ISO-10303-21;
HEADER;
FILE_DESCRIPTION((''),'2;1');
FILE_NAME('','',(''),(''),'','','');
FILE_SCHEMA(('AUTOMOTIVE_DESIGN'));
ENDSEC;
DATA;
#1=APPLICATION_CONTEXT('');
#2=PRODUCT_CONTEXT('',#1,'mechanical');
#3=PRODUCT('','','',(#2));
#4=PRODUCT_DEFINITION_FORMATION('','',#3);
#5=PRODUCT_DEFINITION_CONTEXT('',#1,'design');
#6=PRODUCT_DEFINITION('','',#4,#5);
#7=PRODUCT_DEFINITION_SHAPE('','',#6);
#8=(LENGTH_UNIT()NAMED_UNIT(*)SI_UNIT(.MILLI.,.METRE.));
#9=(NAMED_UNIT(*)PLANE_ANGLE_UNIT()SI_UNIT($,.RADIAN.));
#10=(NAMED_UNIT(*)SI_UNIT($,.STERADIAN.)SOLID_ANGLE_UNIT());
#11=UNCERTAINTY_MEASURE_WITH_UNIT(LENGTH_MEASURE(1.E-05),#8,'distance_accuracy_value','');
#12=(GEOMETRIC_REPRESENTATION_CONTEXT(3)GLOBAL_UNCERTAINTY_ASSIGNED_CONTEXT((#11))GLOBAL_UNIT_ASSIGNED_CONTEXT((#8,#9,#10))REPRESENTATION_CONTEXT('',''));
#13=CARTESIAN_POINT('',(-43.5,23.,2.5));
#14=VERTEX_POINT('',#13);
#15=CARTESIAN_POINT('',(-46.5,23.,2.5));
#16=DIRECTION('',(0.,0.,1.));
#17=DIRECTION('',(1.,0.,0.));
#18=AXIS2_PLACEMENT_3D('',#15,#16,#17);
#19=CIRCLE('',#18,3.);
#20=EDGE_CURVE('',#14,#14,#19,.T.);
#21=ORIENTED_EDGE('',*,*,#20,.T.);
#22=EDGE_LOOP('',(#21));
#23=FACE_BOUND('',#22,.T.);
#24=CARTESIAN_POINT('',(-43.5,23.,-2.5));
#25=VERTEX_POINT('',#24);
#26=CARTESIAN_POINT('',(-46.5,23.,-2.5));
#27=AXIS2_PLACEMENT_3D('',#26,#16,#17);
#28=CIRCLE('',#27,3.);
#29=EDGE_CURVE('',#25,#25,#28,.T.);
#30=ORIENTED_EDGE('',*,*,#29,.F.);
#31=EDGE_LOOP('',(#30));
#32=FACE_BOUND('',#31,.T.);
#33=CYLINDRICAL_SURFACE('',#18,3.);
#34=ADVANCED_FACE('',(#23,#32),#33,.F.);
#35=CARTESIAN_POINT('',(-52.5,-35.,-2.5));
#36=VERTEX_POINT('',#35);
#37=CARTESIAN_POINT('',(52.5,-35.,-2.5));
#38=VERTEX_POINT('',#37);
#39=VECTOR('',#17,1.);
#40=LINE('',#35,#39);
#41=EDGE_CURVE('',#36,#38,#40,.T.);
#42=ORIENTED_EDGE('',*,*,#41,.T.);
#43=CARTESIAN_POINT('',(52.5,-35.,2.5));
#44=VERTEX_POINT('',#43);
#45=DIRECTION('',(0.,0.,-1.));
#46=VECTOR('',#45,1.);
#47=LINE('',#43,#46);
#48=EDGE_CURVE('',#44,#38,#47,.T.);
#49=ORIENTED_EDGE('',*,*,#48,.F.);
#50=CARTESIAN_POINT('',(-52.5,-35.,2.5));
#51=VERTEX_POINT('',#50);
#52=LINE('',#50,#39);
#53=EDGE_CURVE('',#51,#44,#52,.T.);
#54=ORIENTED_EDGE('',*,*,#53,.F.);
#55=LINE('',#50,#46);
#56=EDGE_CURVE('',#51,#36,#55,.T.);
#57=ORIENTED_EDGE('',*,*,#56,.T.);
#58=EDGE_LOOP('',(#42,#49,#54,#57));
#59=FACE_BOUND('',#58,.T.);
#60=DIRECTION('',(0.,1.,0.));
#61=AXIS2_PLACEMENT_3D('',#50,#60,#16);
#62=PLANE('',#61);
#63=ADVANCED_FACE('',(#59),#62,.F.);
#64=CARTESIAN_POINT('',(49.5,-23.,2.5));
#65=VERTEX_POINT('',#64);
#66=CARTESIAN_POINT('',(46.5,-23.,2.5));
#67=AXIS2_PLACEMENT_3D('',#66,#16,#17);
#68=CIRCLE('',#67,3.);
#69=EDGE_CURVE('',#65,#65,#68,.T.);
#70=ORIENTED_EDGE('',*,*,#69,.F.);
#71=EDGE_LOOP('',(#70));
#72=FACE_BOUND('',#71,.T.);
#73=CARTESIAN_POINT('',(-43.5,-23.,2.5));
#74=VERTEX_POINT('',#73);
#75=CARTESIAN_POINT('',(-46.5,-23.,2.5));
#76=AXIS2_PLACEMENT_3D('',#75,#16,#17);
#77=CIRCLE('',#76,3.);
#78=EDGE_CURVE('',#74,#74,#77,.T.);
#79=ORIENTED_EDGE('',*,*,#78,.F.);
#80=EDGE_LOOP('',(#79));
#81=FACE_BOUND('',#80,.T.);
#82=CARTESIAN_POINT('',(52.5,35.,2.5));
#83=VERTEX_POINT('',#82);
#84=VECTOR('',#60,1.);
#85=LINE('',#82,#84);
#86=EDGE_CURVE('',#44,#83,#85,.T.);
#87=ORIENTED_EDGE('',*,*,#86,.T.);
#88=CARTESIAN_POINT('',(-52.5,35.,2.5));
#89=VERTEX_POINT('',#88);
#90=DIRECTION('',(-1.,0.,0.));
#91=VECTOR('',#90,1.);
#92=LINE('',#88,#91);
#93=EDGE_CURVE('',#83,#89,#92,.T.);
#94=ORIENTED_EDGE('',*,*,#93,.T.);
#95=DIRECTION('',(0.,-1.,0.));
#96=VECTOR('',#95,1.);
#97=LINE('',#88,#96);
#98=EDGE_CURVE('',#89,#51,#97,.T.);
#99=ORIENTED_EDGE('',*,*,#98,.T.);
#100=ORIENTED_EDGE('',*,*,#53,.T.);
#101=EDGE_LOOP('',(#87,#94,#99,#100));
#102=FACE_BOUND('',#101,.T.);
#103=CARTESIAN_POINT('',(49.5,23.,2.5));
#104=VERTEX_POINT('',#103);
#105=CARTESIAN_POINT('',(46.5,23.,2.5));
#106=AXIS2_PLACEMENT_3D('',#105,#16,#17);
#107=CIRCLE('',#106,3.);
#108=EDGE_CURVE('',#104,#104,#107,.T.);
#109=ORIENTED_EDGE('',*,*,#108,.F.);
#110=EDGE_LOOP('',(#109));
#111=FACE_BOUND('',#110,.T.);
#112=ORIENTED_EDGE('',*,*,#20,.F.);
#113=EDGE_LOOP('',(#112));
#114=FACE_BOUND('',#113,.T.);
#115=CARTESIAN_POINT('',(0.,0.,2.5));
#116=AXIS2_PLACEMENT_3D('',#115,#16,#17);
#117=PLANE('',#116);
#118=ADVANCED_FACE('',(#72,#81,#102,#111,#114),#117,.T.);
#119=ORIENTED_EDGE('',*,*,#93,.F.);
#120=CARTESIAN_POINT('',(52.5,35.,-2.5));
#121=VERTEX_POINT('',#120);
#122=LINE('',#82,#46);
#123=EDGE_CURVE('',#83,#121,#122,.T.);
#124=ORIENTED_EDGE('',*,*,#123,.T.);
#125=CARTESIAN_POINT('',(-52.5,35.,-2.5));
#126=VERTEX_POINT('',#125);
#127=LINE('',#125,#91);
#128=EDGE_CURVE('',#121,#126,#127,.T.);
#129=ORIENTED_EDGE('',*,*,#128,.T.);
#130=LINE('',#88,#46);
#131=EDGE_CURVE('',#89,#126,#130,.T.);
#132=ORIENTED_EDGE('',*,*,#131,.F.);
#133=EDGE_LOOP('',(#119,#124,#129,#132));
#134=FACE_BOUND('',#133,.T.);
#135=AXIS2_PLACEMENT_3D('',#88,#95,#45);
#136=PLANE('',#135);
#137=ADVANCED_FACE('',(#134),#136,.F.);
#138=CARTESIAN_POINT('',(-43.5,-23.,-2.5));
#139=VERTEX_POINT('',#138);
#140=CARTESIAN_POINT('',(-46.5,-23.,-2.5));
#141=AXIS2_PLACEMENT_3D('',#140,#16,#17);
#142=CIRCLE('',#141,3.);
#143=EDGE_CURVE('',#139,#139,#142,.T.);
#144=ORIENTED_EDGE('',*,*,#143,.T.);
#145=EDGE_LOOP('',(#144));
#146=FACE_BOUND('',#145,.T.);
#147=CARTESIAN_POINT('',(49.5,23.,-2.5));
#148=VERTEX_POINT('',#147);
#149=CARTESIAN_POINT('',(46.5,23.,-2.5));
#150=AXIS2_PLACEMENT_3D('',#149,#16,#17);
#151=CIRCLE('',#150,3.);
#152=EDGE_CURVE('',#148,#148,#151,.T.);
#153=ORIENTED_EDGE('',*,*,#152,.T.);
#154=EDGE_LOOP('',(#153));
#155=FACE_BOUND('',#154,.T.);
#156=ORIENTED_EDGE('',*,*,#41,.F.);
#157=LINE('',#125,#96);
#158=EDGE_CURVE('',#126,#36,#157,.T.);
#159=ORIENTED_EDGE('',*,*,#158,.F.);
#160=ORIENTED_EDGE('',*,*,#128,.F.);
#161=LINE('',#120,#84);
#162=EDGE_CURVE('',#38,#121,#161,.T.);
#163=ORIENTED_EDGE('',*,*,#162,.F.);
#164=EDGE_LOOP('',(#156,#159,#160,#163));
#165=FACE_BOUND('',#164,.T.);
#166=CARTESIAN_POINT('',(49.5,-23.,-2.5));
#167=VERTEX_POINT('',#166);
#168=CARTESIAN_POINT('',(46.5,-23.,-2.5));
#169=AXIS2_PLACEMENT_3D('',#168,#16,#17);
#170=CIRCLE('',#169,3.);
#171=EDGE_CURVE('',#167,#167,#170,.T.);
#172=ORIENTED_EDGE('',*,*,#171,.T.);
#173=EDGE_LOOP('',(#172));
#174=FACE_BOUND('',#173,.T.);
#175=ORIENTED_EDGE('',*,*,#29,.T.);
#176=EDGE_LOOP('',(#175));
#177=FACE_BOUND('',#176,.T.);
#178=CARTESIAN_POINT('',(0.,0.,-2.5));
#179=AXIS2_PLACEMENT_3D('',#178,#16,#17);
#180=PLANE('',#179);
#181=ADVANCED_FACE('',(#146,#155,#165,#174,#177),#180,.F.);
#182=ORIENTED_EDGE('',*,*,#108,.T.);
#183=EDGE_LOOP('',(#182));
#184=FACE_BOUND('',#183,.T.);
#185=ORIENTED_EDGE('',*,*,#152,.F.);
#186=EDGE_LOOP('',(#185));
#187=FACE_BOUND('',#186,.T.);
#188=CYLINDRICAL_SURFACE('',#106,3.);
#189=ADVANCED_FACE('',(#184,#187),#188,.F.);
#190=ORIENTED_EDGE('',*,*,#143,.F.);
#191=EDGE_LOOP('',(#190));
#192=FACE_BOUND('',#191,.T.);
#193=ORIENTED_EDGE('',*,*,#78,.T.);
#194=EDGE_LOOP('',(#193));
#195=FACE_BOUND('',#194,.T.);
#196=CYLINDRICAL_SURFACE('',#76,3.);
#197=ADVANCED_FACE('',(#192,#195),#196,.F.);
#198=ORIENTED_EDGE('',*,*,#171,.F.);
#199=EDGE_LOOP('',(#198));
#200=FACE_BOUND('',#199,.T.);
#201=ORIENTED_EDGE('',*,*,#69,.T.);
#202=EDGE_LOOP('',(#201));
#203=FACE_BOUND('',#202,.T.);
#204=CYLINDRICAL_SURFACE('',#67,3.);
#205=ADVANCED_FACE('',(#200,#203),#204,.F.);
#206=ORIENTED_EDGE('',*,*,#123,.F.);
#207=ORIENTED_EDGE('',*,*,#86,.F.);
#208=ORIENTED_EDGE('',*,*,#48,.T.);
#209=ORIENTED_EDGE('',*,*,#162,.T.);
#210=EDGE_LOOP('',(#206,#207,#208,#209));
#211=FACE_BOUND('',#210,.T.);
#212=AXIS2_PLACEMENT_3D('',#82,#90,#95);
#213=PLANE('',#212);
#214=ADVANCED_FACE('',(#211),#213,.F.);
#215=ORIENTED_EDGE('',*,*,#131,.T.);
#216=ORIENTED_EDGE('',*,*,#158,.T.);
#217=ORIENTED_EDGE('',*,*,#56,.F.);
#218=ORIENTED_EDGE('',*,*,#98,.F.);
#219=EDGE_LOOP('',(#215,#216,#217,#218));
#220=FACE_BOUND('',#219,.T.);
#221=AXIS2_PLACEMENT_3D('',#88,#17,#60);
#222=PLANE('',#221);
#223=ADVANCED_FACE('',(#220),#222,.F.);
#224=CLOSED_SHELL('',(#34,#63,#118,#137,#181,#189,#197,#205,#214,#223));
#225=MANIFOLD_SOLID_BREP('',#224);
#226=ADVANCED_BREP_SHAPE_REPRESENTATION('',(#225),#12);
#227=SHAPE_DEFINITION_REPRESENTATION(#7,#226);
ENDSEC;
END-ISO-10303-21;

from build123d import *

# Parameters (mm, degrees)
SKETCH1_W             = 105
SKETCH1_H             = 70
BOSS_EXTRUDE1_DEPTH   = 2.5
F_6_0MM_DOWEL_HOLE1_D = 6


with BuildPart() as part:
    # Sketch1 → Boss-Extrude1 (new body, symmetric)
    with BuildSketch(Plane.XY):
        Rectangle(SKETCH1_W, SKETCH1_H)
    extrude(amount=BOSS_EXTRUDE1_DEPTH, both=True)

    # Ø6.0mm Dowel Hole1 (through all)
    with Locations(Plane.XY.offset(2.5)):
        with Locations((-46.5, 23), (-46.5, -23), (46.5, -23), (46.5, 23)):
            Hole(F_6_0MM_DOWEL_HOLE1_D / 2)


solid = part.part
